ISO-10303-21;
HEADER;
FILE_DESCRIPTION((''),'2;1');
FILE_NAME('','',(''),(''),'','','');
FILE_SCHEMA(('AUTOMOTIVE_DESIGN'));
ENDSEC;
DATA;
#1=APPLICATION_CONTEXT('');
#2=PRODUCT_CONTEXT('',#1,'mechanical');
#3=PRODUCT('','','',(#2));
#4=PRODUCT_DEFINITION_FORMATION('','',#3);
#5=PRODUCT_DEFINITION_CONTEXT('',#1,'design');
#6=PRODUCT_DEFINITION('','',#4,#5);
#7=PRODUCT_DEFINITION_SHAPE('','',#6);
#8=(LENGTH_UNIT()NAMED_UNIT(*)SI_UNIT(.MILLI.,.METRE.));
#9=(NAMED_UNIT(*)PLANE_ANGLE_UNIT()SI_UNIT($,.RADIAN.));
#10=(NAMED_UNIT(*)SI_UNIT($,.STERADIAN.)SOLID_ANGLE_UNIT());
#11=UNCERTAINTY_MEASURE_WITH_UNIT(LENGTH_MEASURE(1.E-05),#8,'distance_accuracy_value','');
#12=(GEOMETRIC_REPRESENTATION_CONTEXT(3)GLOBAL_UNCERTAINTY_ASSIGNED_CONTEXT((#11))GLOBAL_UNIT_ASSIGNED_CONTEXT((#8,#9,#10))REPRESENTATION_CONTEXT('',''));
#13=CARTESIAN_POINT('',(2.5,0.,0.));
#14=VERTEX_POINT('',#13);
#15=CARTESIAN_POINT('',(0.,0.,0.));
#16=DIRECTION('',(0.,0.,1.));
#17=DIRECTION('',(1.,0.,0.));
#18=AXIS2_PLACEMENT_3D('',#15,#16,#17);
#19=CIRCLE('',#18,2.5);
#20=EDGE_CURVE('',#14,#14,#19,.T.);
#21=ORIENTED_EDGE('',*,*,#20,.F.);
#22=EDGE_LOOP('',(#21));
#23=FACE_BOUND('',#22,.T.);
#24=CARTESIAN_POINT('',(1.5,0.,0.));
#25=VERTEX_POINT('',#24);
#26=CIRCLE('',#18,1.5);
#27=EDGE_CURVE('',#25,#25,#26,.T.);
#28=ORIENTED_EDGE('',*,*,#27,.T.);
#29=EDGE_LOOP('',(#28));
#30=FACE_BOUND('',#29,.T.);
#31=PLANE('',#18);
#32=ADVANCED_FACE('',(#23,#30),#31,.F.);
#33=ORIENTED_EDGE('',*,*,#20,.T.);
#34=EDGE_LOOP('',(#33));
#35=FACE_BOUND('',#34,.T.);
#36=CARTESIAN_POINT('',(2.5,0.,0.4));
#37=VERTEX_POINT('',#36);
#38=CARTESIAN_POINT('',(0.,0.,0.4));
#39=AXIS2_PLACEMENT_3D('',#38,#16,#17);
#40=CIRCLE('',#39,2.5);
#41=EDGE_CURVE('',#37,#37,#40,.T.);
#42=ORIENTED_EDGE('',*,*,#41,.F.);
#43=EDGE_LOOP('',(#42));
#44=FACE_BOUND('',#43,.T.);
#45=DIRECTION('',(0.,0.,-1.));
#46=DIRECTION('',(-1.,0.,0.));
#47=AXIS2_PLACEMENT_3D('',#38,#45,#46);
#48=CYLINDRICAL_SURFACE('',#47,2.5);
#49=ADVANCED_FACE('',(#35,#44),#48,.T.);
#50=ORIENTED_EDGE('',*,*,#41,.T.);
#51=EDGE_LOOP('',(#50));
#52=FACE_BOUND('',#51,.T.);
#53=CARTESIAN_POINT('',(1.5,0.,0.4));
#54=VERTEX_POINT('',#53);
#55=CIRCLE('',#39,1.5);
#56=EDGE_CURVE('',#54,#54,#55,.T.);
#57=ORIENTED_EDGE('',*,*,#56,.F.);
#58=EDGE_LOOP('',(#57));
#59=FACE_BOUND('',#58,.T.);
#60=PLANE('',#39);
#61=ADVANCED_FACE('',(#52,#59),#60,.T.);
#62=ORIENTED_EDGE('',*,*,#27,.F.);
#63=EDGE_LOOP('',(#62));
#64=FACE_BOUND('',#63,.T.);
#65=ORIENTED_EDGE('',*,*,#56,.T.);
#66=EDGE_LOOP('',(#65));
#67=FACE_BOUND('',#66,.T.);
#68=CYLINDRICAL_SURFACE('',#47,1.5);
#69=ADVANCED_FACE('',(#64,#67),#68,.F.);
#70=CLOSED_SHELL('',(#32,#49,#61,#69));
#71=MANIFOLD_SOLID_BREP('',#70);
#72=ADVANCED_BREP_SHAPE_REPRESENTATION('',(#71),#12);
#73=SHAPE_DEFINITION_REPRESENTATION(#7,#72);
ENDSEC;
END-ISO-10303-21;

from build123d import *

# Parameters (mm, degrees)
SKETCH_1_R      = 2.5
SKETCH_1_R_2    = 1.5
EXTRUDE_1_DEPTH = 0.4


with BuildPart() as part:
    # 草图1 → 凸台-拉伸1 (new body)
    with BuildSketch(Plane.XY):
        Circle(SKETCH_1_R)
        Circle(SKETCH_1_R_2, mode=Mode.SUBTRACT)
    extrude(amount=EXTRUDE_1_DEPTH)


solid = part.part
